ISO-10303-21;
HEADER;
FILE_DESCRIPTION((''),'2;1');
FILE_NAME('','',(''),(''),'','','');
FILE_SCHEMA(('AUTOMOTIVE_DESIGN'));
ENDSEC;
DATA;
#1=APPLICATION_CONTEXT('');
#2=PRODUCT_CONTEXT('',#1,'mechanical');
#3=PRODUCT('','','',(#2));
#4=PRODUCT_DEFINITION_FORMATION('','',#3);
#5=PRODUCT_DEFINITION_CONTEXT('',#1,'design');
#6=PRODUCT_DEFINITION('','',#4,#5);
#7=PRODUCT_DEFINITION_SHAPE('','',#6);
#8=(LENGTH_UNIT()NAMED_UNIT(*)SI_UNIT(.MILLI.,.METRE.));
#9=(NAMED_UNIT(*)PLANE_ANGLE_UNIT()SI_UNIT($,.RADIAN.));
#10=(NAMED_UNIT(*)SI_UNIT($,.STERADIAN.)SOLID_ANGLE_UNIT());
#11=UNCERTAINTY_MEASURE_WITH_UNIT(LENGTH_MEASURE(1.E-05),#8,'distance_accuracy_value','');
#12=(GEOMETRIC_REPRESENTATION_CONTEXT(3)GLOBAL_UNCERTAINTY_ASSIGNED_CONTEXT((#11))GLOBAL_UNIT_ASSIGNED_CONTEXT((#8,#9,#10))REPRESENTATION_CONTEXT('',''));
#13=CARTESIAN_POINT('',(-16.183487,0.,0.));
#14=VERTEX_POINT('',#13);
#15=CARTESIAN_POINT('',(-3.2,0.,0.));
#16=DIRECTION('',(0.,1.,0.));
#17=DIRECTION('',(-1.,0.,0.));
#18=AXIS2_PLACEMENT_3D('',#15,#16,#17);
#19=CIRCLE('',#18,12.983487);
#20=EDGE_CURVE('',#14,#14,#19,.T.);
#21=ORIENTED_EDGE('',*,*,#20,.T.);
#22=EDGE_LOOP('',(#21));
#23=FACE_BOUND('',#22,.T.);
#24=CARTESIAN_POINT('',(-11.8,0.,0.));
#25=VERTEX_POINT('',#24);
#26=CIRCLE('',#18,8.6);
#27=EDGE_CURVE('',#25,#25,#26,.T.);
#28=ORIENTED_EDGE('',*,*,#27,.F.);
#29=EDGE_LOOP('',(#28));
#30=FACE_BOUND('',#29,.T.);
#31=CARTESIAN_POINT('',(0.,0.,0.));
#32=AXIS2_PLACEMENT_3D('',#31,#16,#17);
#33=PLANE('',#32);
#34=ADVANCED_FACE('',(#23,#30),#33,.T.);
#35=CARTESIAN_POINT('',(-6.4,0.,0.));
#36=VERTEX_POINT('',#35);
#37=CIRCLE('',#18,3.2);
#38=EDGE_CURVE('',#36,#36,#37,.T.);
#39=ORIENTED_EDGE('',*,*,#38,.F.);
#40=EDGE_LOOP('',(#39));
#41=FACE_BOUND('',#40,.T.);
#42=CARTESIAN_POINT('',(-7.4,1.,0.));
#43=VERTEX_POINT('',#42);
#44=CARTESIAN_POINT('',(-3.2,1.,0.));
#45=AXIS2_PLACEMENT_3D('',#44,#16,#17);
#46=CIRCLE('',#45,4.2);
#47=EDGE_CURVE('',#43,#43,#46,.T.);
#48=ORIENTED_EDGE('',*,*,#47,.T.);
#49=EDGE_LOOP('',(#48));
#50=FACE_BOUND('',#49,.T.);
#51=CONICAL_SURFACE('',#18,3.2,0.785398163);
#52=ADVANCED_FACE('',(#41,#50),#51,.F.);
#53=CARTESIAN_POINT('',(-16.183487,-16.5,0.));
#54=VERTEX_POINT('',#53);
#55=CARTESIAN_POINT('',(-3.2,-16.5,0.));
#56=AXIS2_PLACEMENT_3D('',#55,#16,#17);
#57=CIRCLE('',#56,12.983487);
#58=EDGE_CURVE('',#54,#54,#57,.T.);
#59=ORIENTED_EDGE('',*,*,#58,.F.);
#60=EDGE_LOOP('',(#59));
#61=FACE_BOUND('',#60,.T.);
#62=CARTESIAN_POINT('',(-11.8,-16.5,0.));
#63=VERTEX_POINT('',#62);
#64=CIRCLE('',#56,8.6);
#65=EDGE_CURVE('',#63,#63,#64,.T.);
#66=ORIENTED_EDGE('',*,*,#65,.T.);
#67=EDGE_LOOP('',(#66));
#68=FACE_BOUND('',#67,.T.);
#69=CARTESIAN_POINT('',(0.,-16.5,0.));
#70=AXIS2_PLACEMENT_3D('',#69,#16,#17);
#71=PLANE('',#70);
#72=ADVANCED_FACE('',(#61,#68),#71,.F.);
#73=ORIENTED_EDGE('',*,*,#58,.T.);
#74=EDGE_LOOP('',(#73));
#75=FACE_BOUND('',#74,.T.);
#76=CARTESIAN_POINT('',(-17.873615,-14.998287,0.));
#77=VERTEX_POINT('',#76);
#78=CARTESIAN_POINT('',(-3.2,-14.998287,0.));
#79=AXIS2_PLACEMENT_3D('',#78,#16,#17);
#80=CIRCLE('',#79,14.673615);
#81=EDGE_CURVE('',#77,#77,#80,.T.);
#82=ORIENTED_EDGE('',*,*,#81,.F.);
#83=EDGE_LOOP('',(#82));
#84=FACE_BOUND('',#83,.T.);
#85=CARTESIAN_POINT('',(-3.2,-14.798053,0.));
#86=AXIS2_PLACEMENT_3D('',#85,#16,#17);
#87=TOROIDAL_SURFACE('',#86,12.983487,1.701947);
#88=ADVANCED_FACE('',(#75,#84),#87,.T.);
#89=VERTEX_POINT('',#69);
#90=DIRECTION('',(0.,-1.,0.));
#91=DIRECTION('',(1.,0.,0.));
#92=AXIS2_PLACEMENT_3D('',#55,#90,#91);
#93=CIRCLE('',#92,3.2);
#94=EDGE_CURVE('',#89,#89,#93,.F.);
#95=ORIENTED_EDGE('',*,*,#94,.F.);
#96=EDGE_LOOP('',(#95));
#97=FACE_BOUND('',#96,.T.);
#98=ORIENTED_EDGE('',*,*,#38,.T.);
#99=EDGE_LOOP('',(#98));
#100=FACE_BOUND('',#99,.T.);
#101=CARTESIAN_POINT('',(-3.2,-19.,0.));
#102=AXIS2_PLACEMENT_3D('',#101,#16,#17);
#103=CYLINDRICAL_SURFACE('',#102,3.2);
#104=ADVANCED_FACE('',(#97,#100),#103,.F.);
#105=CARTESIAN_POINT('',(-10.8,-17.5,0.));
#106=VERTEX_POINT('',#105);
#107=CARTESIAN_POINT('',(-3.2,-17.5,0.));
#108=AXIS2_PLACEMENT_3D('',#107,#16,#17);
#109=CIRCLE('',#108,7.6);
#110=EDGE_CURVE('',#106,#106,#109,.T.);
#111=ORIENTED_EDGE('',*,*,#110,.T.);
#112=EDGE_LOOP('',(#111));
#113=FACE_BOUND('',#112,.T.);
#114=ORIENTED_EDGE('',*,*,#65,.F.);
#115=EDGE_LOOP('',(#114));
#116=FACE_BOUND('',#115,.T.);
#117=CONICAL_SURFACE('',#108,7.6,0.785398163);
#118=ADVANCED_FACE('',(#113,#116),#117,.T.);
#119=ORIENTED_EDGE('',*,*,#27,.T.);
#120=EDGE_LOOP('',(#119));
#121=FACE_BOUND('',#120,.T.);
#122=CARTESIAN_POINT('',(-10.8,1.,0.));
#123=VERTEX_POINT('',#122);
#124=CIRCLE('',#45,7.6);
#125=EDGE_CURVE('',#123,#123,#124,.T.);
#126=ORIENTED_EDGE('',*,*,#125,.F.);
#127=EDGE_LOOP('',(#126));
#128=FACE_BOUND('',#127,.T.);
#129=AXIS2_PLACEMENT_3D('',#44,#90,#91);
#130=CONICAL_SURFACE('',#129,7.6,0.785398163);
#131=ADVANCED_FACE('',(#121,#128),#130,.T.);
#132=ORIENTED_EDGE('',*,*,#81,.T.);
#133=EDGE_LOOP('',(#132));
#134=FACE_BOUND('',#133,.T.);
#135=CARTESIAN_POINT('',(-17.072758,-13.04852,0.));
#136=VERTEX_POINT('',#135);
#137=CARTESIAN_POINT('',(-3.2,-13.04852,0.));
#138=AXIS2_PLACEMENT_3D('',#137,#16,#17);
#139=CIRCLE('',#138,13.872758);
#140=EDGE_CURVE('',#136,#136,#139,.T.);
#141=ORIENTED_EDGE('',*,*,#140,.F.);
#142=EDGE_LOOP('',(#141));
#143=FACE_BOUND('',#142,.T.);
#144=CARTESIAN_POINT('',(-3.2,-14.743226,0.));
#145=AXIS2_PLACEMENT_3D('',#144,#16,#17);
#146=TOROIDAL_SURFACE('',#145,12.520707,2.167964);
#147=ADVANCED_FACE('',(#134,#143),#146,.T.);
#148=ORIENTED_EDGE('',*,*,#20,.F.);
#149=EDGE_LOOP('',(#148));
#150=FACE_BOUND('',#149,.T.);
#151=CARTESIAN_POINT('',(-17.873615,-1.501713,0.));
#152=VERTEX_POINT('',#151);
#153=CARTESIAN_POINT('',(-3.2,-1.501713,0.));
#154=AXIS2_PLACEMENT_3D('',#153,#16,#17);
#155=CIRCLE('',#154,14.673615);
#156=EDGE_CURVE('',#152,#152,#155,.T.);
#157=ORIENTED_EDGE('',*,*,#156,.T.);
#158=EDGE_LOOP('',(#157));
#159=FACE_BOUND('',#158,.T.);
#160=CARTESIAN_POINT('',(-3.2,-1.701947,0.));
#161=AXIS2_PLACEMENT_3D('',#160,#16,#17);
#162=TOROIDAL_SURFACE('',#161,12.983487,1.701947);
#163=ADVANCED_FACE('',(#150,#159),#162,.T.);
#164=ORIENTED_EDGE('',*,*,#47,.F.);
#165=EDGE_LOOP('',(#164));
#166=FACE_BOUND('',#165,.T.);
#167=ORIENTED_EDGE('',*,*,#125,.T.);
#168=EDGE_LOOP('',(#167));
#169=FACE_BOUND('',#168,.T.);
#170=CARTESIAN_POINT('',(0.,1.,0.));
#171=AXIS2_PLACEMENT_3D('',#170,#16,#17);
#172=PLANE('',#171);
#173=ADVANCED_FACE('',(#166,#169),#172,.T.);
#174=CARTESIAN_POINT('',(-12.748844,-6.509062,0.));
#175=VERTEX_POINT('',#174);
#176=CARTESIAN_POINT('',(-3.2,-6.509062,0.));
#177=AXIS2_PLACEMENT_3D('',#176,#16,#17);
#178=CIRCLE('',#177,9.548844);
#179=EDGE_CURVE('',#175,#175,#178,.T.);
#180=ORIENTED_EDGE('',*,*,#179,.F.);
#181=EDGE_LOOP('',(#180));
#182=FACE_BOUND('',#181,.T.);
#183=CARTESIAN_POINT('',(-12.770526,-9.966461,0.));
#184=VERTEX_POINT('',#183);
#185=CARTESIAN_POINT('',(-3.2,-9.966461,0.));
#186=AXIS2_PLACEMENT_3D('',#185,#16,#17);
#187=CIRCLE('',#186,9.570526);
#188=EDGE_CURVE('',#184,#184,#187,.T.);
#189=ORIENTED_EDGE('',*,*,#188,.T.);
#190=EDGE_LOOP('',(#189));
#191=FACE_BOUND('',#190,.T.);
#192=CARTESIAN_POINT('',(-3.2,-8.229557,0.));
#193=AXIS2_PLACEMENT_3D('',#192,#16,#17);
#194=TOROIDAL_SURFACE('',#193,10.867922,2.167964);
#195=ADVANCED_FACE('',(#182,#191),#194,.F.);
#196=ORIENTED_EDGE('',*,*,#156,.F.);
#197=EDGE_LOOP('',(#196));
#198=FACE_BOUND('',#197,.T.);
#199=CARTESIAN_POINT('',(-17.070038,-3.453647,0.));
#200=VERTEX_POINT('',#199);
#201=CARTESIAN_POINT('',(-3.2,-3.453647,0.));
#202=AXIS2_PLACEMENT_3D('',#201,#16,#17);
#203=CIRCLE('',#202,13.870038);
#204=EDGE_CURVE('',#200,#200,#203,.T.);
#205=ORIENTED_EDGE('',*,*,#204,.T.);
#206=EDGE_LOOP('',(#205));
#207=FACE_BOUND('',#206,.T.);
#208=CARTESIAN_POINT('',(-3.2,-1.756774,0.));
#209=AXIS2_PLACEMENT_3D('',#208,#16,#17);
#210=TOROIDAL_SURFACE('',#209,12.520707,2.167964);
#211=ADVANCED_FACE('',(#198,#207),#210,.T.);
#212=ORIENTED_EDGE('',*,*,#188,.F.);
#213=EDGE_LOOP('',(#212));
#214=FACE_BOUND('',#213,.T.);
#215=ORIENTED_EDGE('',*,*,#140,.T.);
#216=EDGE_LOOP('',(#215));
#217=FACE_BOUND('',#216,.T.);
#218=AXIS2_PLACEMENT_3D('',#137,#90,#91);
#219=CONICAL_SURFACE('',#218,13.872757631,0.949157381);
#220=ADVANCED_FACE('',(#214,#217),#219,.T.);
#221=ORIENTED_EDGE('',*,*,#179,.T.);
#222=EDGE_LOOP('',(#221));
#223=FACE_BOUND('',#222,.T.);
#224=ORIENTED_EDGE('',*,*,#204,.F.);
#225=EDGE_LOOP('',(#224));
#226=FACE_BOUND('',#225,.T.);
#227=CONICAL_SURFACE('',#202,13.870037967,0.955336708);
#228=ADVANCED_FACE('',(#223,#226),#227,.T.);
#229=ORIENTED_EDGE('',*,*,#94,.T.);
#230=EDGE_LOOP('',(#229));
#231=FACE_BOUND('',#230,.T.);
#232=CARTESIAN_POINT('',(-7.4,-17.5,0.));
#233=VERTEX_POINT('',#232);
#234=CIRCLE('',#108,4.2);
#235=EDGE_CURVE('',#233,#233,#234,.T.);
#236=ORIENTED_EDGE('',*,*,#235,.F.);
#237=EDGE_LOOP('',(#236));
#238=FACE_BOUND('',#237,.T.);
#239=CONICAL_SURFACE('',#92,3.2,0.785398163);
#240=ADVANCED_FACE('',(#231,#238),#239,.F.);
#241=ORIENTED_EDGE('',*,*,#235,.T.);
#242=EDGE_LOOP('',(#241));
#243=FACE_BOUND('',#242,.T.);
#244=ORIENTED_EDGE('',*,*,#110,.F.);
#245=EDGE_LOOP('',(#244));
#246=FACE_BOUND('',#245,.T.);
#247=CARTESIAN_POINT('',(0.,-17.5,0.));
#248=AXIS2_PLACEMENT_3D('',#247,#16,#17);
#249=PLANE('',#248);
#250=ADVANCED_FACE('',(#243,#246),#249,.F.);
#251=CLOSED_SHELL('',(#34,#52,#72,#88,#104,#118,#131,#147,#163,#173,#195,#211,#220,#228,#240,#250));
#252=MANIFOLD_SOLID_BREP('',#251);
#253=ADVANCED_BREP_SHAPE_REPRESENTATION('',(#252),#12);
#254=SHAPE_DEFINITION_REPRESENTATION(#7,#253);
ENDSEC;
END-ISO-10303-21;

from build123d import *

# Parameters (mm, degrees)
SZKIC5_R                   = 3.2
WYTNIJ_WYCI_GNI_CIE1_DEPTH = 19


with BuildPart() as part:
    # Szkic1 → Obrót1 (revolve)
    with BuildSketch(Plane.XY, mode=Mode.PRIVATE) as obr_t1_sk:
        with BuildLine():
            Line((0, -16.5), (1, -17.5))
            Line((1, -17.5), (4.4, -17.5))
            Line((4.4, -17.5), (5.4, -16.5))
            Line((5.4, -16.5), (9.78348732, -16.5))
            ThreePointArc((9.78348732, -16.5), (10.913937759, -16.070336685), (11.473614893, -14.998287122))
            ThreePointArc((11.473614893, -14.998287122), (11.326095192, -13.919522313), (10.672757631, -13.048519668))
            Line((10.672757631, -13.048519668), (6.370526458, -9.966460766))
            ThreePointArc((6.370526458, -9.966460766), (5.5, -8.24315268), (6.348844005, -6.509061873))
            Line((6.348844005, -6.509061873), (10.670037967, -3.453646536))
            ThreePointArc((10.670037967, -3.453646536), (11.32543403, -2.582085517), (11.473614893, -1.501712878))
            ThreePointArc((11.473614893, -1.501712878), (10.913937759, -0.429663315), (9.78348732, 0))
            Line((9.78348732, 0), (5.4, 0))
            Line((5.4, 0), (4.4, 1))
            Line((4.4, 1), (1, 1))
            Line((1, 1), (0, 0))
            Line((0, 0), (-3.2, 0))
            Line((-3.2, 0), (-3.2, -16.5))
            Line((-3.2, -16.5), (0, -16.5))
        make_face()
    revolve(obr_t1_sk.sketch.rotate(Axis((-3.2, 0, 0), (0, -1, 0)), 180), axis=Axis((-3.2, 0, 0), (0, -1, 0)))

    # Szkic5 → Wytnij-wyciągnięcie1 (cut)
    with BuildSketch(Plane(origin=(0, 0, 0), x_dir=(1, 0, 0), z_dir=(0, 1, 0))):
        with Locations(Location((-3.2, 0, 0), (0, 0, 180))):
            Circle(SZKIC5_R)
    extrude(amount=-WYTNIJ_WYCI_GNI_CIE1_DEPTH, mode=Mode.SUBTRACT)


solid = part.part
